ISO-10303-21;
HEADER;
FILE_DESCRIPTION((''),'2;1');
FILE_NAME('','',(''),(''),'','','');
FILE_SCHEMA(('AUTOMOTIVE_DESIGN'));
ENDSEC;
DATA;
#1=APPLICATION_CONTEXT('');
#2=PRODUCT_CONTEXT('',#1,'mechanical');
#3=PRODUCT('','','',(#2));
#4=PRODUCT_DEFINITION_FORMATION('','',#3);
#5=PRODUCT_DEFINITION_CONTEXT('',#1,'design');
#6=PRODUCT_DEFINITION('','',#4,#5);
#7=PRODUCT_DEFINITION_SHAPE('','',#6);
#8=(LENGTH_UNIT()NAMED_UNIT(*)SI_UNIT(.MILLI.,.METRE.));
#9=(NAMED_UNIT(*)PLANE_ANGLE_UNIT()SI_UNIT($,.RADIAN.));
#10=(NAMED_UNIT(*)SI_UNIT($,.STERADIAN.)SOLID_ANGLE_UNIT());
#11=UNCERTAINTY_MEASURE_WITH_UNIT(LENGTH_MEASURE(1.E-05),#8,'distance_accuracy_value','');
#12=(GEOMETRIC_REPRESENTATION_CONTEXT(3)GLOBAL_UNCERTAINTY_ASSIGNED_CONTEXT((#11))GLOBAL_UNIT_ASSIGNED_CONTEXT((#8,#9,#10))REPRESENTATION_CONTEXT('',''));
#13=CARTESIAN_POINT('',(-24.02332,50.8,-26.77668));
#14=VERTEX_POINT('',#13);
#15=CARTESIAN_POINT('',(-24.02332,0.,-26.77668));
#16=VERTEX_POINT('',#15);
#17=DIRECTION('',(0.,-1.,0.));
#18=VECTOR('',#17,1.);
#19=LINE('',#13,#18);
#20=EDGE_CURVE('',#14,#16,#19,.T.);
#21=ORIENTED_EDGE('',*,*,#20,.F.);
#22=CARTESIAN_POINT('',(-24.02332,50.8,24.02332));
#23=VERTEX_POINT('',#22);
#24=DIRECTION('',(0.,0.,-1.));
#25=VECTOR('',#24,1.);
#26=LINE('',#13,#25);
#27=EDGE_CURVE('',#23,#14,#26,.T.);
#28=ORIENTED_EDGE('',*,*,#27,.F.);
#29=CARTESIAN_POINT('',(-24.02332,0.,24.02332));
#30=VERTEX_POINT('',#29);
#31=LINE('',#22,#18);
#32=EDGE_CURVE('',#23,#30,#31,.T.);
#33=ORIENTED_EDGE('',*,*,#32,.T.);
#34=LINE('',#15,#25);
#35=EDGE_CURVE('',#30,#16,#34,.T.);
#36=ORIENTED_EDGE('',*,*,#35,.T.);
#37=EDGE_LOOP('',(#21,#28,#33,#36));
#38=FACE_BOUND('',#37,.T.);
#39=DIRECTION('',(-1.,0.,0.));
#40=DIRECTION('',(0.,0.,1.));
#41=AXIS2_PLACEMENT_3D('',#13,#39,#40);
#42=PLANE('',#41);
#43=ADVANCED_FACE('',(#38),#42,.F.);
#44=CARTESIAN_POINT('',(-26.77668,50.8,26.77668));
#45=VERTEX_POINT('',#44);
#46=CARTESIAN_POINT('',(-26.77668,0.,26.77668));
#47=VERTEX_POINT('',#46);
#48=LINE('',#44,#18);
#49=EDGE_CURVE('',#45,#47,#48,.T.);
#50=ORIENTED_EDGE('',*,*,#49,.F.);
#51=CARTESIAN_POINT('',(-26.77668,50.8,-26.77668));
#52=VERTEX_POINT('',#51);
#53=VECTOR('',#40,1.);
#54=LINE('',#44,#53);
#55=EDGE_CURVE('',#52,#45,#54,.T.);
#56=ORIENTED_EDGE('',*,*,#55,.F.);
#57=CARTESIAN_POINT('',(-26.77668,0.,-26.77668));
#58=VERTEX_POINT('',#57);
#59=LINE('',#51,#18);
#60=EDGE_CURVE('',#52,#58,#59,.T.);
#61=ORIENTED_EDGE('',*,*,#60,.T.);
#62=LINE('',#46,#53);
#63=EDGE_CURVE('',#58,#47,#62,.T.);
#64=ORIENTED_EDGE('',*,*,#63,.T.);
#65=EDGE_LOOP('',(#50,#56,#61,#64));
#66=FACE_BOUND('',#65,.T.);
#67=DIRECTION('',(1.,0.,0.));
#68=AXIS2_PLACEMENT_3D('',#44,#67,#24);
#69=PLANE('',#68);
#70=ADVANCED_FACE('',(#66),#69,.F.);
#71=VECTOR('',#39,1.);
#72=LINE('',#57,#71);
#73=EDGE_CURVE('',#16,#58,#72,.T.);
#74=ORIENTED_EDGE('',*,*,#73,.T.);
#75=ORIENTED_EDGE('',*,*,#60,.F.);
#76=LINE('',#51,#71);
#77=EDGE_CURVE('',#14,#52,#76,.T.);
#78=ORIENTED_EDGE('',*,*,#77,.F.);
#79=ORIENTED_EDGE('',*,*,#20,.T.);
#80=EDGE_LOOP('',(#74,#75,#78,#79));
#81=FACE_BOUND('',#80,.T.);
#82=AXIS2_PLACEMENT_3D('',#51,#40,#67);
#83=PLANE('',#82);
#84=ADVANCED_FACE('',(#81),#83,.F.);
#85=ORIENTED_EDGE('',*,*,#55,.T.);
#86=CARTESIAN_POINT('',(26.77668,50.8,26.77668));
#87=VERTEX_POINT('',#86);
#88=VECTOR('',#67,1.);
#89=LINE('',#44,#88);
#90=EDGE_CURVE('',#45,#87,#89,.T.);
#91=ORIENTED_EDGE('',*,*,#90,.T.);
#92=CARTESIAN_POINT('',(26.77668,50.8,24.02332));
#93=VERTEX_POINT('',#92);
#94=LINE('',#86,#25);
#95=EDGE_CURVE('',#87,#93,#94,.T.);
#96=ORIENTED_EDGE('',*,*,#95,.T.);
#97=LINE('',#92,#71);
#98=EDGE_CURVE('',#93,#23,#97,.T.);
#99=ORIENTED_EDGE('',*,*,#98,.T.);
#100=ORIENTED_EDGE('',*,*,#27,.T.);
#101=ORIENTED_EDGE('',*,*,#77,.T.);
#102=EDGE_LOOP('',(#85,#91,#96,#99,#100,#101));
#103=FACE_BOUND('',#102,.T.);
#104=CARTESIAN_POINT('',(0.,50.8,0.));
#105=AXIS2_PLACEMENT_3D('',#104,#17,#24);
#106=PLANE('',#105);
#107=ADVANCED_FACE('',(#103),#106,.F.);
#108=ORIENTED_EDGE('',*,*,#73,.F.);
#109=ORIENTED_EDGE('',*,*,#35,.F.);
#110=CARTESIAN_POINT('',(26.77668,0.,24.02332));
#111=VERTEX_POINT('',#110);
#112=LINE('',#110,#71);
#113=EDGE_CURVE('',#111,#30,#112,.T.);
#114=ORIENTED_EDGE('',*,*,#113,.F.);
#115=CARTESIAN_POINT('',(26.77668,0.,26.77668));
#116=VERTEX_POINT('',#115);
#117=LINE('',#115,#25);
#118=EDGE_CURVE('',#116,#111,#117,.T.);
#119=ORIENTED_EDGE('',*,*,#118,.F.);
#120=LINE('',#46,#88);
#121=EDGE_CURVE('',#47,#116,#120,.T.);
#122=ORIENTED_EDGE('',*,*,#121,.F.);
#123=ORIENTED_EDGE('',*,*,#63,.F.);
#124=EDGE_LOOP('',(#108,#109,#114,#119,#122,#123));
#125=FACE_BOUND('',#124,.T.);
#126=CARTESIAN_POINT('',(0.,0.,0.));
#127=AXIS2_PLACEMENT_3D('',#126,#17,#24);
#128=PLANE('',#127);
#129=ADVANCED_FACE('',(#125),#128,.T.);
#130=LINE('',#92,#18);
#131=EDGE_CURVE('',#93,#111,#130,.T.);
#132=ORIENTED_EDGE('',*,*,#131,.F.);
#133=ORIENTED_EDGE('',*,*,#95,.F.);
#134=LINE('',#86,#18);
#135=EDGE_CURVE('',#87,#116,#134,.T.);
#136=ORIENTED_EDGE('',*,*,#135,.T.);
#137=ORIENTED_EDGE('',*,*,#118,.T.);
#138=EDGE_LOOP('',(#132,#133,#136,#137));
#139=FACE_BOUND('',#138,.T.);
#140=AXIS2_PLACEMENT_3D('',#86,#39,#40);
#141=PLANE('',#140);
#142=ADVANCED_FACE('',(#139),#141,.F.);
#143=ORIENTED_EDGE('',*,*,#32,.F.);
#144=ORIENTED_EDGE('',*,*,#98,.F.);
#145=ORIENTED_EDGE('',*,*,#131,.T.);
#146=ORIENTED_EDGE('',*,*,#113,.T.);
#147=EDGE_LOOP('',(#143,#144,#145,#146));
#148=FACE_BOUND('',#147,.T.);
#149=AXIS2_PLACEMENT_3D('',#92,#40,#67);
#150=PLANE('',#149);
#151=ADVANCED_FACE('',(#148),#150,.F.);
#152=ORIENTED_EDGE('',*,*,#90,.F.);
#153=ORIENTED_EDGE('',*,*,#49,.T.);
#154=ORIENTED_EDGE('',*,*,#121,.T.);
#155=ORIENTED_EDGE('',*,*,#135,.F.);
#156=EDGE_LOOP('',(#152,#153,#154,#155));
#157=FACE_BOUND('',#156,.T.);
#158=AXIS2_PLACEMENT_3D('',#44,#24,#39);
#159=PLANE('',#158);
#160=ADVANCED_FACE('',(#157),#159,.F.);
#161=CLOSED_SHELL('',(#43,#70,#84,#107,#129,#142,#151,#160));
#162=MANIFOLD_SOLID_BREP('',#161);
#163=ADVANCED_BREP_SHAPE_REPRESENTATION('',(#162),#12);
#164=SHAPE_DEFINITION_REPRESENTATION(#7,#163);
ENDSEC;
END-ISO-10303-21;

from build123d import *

# Parameters (mm, degrees)
BOSS_EXTRUDE1_DEPTH = 50.8


with BuildPart() as part:
    # Sketch1 → Boss-Extrude1 (new body)
    with BuildSketch(Plane(origin=(0, 0, 0), x_dir=(1, 0, 0), z_dir=(0, 1, 0))):
        Polygon((-26.77668, -26.77668), (26.77668, -26.77668), (26.77668, -24.02332), (-24.02332, -24.02332), (-24.02332, 26.77668), (-26.77668, 26.77668), align=None)
    extrude(amount=BOSS_EXTRUDE1_DEPTH)


solid = part.part
